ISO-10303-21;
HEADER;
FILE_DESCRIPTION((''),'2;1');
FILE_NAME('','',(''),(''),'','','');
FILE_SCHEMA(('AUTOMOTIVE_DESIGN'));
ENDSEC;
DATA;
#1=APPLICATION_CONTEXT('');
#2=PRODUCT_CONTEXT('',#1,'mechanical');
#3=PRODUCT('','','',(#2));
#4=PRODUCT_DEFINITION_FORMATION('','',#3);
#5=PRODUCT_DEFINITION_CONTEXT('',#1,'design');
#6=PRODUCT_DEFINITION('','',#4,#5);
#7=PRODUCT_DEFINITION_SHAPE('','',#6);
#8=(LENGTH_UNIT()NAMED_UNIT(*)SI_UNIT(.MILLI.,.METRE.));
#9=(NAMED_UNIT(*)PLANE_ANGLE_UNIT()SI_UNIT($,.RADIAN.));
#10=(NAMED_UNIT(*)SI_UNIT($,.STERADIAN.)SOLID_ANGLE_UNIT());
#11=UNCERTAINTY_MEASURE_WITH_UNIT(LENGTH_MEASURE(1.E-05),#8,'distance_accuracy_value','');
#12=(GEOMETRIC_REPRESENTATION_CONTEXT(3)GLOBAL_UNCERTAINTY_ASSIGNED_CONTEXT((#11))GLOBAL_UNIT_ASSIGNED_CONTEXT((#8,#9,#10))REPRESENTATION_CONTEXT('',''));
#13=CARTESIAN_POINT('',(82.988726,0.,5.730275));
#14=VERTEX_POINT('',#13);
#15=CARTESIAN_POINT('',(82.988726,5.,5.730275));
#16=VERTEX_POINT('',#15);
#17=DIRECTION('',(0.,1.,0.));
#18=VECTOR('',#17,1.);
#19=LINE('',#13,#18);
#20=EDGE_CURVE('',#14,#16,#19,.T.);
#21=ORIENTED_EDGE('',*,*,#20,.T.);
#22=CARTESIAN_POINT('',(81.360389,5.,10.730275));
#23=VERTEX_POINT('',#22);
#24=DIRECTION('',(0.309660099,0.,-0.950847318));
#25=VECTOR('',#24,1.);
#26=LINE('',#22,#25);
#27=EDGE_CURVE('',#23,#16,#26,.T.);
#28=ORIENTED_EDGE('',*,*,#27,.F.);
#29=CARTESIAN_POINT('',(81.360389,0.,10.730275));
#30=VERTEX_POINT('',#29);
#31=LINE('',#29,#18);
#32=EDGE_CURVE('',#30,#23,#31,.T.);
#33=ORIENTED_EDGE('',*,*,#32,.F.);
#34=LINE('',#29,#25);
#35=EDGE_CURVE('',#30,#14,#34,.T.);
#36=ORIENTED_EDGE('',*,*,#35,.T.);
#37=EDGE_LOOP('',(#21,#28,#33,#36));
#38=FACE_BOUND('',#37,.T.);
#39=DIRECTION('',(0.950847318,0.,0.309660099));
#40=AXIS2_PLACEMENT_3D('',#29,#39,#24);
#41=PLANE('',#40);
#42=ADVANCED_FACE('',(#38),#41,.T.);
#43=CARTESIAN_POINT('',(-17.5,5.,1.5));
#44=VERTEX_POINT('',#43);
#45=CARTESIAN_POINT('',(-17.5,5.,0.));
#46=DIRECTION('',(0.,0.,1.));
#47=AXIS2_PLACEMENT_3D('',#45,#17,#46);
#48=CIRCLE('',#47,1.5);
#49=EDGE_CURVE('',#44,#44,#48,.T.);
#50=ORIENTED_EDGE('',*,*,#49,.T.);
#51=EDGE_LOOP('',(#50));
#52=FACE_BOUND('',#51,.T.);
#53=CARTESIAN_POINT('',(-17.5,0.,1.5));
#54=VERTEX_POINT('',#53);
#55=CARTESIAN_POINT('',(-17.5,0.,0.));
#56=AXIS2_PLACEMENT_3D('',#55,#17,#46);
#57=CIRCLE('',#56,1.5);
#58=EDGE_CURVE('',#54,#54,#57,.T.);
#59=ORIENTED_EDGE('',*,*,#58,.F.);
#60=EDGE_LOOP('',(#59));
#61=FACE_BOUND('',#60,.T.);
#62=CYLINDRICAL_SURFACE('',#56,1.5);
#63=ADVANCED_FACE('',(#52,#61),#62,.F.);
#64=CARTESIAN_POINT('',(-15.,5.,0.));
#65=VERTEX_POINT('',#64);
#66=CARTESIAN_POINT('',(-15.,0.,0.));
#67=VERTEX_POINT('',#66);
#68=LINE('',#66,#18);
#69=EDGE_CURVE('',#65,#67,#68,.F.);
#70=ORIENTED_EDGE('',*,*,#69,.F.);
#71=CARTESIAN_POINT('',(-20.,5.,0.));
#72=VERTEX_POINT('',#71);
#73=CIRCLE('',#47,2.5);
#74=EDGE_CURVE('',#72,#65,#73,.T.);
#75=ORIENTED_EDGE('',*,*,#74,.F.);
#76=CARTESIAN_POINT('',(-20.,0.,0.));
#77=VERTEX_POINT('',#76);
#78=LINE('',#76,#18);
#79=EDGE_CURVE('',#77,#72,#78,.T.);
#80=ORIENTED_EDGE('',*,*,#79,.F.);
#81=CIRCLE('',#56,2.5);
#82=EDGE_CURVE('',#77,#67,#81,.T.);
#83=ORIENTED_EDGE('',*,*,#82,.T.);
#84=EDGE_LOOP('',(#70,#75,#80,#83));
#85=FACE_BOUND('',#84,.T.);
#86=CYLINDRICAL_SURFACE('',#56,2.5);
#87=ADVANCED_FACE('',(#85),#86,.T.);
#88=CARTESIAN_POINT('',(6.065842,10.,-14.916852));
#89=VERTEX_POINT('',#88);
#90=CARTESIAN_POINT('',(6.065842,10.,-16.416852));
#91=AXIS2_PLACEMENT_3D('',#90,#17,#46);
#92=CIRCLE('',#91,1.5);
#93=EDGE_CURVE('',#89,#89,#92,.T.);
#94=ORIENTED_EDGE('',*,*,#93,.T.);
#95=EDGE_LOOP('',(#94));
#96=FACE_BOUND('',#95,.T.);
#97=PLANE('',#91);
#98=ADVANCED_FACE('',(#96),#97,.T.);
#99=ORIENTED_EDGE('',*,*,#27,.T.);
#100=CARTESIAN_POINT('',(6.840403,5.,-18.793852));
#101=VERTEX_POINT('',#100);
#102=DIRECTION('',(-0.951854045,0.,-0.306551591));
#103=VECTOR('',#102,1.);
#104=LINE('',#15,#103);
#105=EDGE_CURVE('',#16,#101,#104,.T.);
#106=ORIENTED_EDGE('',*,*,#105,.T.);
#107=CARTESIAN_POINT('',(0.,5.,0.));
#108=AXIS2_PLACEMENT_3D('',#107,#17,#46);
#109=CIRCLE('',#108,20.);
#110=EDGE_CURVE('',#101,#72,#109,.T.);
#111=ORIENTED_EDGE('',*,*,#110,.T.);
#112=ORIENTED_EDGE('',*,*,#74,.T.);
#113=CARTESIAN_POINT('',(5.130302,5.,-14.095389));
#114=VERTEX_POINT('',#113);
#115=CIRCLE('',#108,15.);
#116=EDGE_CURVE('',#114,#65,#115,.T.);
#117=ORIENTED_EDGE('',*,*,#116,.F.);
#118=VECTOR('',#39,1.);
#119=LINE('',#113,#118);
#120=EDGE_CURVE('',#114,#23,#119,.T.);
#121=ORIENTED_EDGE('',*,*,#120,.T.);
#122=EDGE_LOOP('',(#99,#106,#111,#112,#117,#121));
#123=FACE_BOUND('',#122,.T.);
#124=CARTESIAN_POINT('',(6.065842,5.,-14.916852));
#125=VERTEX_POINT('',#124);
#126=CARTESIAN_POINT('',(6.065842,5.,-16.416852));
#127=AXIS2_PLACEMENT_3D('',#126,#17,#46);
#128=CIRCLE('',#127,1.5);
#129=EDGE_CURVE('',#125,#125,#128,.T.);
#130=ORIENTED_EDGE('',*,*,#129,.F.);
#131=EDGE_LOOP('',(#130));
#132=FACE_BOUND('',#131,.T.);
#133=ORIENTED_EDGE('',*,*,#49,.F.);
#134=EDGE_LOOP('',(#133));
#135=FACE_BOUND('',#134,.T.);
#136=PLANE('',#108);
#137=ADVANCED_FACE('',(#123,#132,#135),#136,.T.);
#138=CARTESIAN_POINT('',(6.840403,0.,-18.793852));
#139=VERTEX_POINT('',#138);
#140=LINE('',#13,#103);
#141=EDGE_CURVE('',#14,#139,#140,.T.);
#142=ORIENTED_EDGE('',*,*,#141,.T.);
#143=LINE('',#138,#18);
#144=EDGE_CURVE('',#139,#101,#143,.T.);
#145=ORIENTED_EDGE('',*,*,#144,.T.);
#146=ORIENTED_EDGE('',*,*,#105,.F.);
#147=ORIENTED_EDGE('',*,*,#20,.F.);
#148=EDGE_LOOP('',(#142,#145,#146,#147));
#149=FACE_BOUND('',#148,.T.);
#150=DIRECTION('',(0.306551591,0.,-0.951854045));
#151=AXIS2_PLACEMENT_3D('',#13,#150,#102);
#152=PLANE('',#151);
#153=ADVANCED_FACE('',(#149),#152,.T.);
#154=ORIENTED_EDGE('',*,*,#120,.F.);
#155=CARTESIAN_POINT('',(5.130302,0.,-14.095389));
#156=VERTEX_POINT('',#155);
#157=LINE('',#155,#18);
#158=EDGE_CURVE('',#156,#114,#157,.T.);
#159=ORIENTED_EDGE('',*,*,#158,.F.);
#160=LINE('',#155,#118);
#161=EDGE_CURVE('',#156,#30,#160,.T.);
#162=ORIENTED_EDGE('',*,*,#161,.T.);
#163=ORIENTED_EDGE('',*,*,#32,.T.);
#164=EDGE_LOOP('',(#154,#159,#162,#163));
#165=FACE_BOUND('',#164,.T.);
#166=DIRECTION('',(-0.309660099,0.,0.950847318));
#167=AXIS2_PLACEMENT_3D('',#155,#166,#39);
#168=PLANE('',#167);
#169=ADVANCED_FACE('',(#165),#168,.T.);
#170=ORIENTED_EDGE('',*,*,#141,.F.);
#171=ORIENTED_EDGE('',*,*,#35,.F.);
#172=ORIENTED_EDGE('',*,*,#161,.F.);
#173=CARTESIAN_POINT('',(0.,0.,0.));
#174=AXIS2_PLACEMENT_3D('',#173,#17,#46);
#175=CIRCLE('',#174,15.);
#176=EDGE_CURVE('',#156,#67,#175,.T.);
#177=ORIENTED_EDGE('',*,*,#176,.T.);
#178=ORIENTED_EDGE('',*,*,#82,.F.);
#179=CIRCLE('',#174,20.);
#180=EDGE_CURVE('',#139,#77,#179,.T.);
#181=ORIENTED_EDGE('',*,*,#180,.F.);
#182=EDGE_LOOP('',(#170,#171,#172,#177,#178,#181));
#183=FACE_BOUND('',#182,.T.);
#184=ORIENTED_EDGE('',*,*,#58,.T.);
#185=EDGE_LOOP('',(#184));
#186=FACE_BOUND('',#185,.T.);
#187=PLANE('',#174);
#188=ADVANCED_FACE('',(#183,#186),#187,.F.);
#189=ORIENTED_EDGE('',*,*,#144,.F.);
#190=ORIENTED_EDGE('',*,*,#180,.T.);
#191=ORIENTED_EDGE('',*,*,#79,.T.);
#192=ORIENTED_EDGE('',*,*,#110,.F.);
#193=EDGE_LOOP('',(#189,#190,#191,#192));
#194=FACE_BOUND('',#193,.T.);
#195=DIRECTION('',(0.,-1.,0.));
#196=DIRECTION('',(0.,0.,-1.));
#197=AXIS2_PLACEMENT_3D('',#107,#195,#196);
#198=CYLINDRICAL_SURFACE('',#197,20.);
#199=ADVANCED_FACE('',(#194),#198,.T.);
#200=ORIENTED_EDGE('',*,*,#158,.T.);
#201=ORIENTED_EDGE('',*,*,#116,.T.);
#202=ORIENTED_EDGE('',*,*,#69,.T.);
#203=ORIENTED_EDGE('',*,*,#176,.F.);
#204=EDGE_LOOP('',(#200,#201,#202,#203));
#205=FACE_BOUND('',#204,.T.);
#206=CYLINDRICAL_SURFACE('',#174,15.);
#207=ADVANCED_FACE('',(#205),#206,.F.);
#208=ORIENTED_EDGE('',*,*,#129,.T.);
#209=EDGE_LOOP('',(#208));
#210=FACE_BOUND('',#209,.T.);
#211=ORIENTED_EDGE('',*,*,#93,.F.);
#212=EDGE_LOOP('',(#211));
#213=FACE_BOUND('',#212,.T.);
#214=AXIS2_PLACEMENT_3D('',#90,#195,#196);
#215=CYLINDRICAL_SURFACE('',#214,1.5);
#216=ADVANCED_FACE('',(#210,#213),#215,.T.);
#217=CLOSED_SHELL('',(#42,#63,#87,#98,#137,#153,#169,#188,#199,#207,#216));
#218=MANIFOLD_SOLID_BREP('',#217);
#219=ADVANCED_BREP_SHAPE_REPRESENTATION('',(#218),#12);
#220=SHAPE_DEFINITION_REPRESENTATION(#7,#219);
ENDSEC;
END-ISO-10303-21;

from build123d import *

# Parameters (mm, degrees)
SKETCH1_R           = 20
BOSS_EXTRUDE1_DEPTH = 5
SKETCH2_R           = 15
CUT_EXTRUDE1_DEPTH  = 5
CUT_EXTRUDE2_START  = -5
CUT_EXTRUDE2_DEPTH  = 5
BOSS_EXTRUDE6_DEPTH = 5
BOSS_EXTRUDE7_DEPTH = 5
SKETCH13_R          = 1.5
CUT_EXTRUDE4_DEPTH  = 5
SKETCH14_R          = 1.5
BOSS_EXTRUDE8_DEPTH = 5


with BuildPart() as part:
    # Sketch1 → Boss-Extrude1 (new body)
    with BuildSketch(Plane(origin=(0, 0, 0), x_dir=(1, 0, 0), z_dir=(0, 1, 0))):
        with Locations(Location((0, 0, 0), (0, 0, 270))):
            Circle(SKETCH1_R)
    extrude(amount=BOSS_EXTRUDE1_DEPTH)

    # Sketch2 → Cut-Extrude1 (cut)
    with BuildSketch(Plane(origin=(0, 5, 0), x_dir=(1, 0, 0), z_dir=(0, 1, 0))):
        with Locations(Location((0, 0, 0), (0, 0, 270))):
            Circle(SKETCH2_R)
    extrude(amount=-CUT_EXTRUDE1_DEPTH, mode=Mode.SUBTRACT)

    # Sketch3 → Cut-Extrude2 (cut)
    with BuildSketch(Plane(origin=(0, 5, 0), x_dir=(1, 0, 0), z_dir=(0, 1, 0)).offset(CUT_EXTRUDE2_START)):
        with BuildLine():
            Line((6.840402867, 18.793852416), (0, 0))
            Line((0, 0), (-20, 0))
            ThreePointArc((-20, 0), (11.471528727, -16.383040886), (6.840402867, 18.793852416))
        make_face()
    extrude(amount=CUT_EXTRUDE2_DEPTH, mode=Mode.SUBTRACT)

    # Sketch10 → Boss-Extrude6 (add)
    with BuildSketch(Plane(origin=(0, 5, 0), x_dir=(1, 0, 0), z_dir=(0, 1, 0))):
        Polygon((5.13030215, 14.095389312), (81.360388775, -10.730274846), (82.988726433, -5.730274846), (6.840402867, 18.793852416), align=None)
    extrude(amount=-BOSS_EXTRUDE6_DEPTH)

    # Sketch12 → Boss-Extrude7 (add)
    with BuildSketch(Plane(origin=(0, 5, 0), x_dir=(1, 0, 0), z_dir=(0, 1, 0))):
        with BuildLine():
            Line((-20, 0), (-15, 0))
            ThreePointArc((-15, 0), (-17.5, -2.5), (-20, 0))
        make_face()
    extrude(amount=-BOSS_EXTRUDE7_DEPTH)

    # Sketch13 → Cut-Extrude4 (cut)
    with BuildSketch(Plane(origin=(0, 5, 0), x_dir=(1, 0, 0), z_dir=(0, 1, 0))):
        with Locations(Location((-17.5, 0, 0), (0, 0, 270))):
            Circle(SKETCH13_R)
    extrude(amount=-CUT_EXTRUDE4_DEPTH, mode=Mode.SUBTRACT)

    # Sketch14 → Boss-Extrude8 (add)
    with BuildSketch(Plane(origin=(0, 5, 0), x_dir=(1, 0, 0), z_dir=(0, 1, 0))):
        with Locations(Location((6.065841992, 16.416852345, 0), (0, 0, 270))):
            Circle(SKETCH14_R)
    extrude(amount=BOSS_EXTRUDE8_DEPTH)


solid = part.part
